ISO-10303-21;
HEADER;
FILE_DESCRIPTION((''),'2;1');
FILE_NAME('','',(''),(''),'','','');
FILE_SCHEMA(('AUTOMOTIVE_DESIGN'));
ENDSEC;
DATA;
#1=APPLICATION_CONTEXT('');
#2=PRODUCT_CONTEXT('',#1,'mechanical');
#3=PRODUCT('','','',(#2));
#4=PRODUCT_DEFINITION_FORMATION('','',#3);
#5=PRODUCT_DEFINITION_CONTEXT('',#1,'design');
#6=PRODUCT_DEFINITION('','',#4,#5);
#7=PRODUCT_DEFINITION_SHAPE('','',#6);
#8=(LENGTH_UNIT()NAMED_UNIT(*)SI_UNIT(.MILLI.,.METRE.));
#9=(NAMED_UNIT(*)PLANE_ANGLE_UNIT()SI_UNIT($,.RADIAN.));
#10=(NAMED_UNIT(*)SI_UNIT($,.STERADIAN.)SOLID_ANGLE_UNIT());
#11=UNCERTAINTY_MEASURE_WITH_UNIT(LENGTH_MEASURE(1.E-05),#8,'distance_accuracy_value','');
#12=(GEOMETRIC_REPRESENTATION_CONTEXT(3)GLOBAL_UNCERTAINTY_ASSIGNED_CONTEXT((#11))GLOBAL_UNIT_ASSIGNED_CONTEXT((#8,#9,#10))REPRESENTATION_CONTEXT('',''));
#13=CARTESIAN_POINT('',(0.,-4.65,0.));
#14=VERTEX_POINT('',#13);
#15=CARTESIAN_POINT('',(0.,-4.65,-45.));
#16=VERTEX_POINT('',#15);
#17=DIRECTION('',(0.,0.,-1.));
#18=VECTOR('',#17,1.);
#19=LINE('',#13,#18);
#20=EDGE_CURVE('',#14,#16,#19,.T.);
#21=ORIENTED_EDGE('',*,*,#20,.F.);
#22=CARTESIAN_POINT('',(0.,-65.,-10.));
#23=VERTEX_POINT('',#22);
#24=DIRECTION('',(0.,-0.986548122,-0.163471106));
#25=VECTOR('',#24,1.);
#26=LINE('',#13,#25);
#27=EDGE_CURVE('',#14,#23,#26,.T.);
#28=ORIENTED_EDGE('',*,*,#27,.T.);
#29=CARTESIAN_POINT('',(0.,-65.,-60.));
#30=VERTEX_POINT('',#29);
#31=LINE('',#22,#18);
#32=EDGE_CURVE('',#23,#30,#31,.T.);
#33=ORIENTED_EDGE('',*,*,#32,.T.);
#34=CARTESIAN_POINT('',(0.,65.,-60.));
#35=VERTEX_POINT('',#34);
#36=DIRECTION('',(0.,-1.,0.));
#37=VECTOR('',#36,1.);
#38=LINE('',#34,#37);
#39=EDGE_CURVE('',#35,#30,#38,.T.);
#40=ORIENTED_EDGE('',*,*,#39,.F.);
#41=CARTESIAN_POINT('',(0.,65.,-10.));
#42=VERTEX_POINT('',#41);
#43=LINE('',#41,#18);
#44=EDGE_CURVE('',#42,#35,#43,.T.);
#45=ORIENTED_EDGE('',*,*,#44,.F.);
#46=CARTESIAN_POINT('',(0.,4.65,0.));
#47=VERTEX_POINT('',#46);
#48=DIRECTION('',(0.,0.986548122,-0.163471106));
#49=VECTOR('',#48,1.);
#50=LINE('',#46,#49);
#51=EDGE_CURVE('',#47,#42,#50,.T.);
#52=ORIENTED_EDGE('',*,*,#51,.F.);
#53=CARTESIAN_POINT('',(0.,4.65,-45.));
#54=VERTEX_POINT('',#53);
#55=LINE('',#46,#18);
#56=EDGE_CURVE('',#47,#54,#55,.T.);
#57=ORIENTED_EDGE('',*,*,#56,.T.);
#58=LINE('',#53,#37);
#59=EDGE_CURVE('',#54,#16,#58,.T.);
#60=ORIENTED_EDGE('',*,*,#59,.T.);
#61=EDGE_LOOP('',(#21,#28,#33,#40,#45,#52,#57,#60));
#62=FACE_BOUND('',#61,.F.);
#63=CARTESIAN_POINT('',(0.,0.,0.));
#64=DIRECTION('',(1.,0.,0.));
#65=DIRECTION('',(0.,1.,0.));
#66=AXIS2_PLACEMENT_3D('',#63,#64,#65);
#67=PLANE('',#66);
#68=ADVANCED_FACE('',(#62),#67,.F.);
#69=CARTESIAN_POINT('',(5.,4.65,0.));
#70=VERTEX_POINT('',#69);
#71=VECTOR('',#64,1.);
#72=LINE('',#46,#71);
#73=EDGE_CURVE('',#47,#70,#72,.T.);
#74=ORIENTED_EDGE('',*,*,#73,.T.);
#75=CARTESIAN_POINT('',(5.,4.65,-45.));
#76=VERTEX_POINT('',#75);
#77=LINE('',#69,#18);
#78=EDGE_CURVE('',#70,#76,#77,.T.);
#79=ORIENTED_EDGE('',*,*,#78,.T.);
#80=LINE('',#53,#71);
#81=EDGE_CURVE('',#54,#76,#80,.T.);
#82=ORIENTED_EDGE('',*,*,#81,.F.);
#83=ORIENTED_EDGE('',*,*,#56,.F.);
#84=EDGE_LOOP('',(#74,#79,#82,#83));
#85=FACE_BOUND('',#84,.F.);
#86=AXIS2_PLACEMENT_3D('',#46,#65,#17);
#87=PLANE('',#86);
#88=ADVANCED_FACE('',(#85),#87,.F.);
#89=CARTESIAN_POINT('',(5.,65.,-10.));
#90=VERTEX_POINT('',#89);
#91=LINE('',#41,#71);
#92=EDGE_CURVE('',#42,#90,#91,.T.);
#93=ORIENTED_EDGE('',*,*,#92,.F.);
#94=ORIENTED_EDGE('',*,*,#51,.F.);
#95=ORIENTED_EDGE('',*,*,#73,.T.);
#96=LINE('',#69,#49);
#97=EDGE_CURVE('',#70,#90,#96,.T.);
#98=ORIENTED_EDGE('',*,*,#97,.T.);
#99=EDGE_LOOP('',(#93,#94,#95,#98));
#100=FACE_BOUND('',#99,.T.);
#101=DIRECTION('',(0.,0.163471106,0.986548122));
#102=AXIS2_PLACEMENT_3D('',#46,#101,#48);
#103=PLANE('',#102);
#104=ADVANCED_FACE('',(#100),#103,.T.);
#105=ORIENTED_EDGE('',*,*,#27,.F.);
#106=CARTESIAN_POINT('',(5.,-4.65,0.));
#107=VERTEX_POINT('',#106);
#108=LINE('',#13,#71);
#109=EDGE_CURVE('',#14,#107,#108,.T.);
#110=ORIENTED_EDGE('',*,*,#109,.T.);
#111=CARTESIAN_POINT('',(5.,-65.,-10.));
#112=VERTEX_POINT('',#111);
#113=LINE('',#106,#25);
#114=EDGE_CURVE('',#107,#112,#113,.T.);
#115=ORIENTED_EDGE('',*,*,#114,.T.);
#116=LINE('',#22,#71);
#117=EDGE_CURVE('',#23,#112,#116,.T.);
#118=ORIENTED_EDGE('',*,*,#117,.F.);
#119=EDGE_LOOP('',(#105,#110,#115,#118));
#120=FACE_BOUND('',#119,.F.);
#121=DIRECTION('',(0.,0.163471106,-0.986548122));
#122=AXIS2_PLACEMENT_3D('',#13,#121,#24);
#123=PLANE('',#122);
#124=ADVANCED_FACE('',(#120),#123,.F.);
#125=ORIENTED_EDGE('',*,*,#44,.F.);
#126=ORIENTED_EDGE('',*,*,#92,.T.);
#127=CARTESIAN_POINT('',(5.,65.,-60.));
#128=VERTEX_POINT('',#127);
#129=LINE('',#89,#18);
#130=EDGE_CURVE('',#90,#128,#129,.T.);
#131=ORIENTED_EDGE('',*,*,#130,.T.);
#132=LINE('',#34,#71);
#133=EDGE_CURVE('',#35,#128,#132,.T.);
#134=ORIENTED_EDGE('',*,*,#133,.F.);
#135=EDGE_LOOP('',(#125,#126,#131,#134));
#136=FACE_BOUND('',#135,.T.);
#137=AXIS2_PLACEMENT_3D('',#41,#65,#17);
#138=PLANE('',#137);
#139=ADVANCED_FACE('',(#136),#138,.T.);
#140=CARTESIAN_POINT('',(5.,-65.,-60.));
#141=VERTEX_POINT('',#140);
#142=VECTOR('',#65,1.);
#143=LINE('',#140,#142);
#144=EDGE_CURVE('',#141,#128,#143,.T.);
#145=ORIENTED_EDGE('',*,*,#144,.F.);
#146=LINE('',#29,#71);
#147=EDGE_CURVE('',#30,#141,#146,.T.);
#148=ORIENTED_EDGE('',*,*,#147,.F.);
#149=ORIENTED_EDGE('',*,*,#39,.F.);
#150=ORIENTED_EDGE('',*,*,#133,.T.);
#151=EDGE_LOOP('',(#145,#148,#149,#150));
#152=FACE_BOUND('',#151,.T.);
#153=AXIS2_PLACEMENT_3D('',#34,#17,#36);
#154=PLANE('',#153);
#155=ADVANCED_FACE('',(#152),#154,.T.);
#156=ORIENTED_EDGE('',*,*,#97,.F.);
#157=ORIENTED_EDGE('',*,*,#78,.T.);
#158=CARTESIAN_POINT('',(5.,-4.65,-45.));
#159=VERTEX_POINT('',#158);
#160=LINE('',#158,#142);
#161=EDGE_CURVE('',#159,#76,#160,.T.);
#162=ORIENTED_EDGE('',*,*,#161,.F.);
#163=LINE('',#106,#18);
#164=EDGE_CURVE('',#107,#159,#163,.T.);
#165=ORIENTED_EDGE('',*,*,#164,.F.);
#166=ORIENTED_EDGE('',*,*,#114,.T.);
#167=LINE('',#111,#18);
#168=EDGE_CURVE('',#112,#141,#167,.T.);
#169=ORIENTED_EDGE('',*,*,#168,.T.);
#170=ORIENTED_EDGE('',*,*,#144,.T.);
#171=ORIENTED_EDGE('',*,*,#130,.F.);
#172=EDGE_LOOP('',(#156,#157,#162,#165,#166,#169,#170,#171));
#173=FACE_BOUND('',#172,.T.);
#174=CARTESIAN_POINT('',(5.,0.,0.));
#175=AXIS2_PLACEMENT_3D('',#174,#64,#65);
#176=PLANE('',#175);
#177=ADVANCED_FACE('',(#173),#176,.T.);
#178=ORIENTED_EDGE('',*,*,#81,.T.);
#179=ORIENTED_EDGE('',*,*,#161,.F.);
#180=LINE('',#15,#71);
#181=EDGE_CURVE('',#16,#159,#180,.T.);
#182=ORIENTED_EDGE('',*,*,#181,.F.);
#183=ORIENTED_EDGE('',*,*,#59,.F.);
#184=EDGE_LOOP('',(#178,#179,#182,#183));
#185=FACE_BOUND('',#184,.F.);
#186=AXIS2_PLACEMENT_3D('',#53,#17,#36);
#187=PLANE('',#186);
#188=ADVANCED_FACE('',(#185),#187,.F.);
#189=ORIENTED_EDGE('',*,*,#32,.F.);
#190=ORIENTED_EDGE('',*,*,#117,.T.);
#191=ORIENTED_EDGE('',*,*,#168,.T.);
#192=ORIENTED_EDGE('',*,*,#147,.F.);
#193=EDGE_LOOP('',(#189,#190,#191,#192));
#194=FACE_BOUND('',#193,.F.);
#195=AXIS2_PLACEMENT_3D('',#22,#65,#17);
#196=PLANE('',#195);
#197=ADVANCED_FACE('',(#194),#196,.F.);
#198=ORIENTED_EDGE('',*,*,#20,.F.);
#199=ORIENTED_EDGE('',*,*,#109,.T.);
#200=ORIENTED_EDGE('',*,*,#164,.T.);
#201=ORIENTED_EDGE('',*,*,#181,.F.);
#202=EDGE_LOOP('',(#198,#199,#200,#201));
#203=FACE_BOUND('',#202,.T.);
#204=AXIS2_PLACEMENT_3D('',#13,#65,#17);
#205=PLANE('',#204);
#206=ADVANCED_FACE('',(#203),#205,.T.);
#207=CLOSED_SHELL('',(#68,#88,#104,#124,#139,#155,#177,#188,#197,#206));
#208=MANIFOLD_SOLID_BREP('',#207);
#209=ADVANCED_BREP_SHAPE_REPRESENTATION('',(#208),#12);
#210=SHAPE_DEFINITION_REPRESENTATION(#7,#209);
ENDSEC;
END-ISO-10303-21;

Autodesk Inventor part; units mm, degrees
ref_plane "YZ Plane" through (0, 0, 0) normal (1, 0, 0) x (0, 1, 0)
ref_plane "XZ Plane" through (0, 0, 0) normal (0, 1, 0) x (-1, 0, 0)
ref_plane "XY Plane" through (0, 0, 0) normal (0, 0, 1) x (1, 0, 0)
sketch "スケッチ1" plane through (0, 0, 0) normal (1, 0, 0) x (0, 1, 0)
  line L0 (0, 0) -> (0, -113.3816)
  line L1 (4.65, 0) -> (65, -10)
  line L2 (65, -10) -> (65, -60)
  line L3 (65, -60) -> (0, -60)
  line L4 (0, 0) -> (0, -30)
  line L5 (0, -60) -> (0, -70)
  line L6 (4.65, 0) -> (4.65, -45)
  line L7 (4.65, -45) -> (0, -45)
  line L8 (-4.65, 0) -> (-65, -10)
  line L9 (-65, -10) -> (-65, -60)
  line L10 (-65, -60) -> (0, -60)
  line L11 (-4.65, 0) -> (-4.65, -45)
  line L12 (-4.65, -45) -> (0, -45)
  dimension "d0" = 4.65
  dimension "d1" = 130
  dimension "d2" = 60
  dimension "d6" = 45
  dimension "d12" = 10
extrude "押し出し1" add sketch "スケッチ1" along normal blind 5
properties part number "VertWing" material "スタイロフォームIB"
